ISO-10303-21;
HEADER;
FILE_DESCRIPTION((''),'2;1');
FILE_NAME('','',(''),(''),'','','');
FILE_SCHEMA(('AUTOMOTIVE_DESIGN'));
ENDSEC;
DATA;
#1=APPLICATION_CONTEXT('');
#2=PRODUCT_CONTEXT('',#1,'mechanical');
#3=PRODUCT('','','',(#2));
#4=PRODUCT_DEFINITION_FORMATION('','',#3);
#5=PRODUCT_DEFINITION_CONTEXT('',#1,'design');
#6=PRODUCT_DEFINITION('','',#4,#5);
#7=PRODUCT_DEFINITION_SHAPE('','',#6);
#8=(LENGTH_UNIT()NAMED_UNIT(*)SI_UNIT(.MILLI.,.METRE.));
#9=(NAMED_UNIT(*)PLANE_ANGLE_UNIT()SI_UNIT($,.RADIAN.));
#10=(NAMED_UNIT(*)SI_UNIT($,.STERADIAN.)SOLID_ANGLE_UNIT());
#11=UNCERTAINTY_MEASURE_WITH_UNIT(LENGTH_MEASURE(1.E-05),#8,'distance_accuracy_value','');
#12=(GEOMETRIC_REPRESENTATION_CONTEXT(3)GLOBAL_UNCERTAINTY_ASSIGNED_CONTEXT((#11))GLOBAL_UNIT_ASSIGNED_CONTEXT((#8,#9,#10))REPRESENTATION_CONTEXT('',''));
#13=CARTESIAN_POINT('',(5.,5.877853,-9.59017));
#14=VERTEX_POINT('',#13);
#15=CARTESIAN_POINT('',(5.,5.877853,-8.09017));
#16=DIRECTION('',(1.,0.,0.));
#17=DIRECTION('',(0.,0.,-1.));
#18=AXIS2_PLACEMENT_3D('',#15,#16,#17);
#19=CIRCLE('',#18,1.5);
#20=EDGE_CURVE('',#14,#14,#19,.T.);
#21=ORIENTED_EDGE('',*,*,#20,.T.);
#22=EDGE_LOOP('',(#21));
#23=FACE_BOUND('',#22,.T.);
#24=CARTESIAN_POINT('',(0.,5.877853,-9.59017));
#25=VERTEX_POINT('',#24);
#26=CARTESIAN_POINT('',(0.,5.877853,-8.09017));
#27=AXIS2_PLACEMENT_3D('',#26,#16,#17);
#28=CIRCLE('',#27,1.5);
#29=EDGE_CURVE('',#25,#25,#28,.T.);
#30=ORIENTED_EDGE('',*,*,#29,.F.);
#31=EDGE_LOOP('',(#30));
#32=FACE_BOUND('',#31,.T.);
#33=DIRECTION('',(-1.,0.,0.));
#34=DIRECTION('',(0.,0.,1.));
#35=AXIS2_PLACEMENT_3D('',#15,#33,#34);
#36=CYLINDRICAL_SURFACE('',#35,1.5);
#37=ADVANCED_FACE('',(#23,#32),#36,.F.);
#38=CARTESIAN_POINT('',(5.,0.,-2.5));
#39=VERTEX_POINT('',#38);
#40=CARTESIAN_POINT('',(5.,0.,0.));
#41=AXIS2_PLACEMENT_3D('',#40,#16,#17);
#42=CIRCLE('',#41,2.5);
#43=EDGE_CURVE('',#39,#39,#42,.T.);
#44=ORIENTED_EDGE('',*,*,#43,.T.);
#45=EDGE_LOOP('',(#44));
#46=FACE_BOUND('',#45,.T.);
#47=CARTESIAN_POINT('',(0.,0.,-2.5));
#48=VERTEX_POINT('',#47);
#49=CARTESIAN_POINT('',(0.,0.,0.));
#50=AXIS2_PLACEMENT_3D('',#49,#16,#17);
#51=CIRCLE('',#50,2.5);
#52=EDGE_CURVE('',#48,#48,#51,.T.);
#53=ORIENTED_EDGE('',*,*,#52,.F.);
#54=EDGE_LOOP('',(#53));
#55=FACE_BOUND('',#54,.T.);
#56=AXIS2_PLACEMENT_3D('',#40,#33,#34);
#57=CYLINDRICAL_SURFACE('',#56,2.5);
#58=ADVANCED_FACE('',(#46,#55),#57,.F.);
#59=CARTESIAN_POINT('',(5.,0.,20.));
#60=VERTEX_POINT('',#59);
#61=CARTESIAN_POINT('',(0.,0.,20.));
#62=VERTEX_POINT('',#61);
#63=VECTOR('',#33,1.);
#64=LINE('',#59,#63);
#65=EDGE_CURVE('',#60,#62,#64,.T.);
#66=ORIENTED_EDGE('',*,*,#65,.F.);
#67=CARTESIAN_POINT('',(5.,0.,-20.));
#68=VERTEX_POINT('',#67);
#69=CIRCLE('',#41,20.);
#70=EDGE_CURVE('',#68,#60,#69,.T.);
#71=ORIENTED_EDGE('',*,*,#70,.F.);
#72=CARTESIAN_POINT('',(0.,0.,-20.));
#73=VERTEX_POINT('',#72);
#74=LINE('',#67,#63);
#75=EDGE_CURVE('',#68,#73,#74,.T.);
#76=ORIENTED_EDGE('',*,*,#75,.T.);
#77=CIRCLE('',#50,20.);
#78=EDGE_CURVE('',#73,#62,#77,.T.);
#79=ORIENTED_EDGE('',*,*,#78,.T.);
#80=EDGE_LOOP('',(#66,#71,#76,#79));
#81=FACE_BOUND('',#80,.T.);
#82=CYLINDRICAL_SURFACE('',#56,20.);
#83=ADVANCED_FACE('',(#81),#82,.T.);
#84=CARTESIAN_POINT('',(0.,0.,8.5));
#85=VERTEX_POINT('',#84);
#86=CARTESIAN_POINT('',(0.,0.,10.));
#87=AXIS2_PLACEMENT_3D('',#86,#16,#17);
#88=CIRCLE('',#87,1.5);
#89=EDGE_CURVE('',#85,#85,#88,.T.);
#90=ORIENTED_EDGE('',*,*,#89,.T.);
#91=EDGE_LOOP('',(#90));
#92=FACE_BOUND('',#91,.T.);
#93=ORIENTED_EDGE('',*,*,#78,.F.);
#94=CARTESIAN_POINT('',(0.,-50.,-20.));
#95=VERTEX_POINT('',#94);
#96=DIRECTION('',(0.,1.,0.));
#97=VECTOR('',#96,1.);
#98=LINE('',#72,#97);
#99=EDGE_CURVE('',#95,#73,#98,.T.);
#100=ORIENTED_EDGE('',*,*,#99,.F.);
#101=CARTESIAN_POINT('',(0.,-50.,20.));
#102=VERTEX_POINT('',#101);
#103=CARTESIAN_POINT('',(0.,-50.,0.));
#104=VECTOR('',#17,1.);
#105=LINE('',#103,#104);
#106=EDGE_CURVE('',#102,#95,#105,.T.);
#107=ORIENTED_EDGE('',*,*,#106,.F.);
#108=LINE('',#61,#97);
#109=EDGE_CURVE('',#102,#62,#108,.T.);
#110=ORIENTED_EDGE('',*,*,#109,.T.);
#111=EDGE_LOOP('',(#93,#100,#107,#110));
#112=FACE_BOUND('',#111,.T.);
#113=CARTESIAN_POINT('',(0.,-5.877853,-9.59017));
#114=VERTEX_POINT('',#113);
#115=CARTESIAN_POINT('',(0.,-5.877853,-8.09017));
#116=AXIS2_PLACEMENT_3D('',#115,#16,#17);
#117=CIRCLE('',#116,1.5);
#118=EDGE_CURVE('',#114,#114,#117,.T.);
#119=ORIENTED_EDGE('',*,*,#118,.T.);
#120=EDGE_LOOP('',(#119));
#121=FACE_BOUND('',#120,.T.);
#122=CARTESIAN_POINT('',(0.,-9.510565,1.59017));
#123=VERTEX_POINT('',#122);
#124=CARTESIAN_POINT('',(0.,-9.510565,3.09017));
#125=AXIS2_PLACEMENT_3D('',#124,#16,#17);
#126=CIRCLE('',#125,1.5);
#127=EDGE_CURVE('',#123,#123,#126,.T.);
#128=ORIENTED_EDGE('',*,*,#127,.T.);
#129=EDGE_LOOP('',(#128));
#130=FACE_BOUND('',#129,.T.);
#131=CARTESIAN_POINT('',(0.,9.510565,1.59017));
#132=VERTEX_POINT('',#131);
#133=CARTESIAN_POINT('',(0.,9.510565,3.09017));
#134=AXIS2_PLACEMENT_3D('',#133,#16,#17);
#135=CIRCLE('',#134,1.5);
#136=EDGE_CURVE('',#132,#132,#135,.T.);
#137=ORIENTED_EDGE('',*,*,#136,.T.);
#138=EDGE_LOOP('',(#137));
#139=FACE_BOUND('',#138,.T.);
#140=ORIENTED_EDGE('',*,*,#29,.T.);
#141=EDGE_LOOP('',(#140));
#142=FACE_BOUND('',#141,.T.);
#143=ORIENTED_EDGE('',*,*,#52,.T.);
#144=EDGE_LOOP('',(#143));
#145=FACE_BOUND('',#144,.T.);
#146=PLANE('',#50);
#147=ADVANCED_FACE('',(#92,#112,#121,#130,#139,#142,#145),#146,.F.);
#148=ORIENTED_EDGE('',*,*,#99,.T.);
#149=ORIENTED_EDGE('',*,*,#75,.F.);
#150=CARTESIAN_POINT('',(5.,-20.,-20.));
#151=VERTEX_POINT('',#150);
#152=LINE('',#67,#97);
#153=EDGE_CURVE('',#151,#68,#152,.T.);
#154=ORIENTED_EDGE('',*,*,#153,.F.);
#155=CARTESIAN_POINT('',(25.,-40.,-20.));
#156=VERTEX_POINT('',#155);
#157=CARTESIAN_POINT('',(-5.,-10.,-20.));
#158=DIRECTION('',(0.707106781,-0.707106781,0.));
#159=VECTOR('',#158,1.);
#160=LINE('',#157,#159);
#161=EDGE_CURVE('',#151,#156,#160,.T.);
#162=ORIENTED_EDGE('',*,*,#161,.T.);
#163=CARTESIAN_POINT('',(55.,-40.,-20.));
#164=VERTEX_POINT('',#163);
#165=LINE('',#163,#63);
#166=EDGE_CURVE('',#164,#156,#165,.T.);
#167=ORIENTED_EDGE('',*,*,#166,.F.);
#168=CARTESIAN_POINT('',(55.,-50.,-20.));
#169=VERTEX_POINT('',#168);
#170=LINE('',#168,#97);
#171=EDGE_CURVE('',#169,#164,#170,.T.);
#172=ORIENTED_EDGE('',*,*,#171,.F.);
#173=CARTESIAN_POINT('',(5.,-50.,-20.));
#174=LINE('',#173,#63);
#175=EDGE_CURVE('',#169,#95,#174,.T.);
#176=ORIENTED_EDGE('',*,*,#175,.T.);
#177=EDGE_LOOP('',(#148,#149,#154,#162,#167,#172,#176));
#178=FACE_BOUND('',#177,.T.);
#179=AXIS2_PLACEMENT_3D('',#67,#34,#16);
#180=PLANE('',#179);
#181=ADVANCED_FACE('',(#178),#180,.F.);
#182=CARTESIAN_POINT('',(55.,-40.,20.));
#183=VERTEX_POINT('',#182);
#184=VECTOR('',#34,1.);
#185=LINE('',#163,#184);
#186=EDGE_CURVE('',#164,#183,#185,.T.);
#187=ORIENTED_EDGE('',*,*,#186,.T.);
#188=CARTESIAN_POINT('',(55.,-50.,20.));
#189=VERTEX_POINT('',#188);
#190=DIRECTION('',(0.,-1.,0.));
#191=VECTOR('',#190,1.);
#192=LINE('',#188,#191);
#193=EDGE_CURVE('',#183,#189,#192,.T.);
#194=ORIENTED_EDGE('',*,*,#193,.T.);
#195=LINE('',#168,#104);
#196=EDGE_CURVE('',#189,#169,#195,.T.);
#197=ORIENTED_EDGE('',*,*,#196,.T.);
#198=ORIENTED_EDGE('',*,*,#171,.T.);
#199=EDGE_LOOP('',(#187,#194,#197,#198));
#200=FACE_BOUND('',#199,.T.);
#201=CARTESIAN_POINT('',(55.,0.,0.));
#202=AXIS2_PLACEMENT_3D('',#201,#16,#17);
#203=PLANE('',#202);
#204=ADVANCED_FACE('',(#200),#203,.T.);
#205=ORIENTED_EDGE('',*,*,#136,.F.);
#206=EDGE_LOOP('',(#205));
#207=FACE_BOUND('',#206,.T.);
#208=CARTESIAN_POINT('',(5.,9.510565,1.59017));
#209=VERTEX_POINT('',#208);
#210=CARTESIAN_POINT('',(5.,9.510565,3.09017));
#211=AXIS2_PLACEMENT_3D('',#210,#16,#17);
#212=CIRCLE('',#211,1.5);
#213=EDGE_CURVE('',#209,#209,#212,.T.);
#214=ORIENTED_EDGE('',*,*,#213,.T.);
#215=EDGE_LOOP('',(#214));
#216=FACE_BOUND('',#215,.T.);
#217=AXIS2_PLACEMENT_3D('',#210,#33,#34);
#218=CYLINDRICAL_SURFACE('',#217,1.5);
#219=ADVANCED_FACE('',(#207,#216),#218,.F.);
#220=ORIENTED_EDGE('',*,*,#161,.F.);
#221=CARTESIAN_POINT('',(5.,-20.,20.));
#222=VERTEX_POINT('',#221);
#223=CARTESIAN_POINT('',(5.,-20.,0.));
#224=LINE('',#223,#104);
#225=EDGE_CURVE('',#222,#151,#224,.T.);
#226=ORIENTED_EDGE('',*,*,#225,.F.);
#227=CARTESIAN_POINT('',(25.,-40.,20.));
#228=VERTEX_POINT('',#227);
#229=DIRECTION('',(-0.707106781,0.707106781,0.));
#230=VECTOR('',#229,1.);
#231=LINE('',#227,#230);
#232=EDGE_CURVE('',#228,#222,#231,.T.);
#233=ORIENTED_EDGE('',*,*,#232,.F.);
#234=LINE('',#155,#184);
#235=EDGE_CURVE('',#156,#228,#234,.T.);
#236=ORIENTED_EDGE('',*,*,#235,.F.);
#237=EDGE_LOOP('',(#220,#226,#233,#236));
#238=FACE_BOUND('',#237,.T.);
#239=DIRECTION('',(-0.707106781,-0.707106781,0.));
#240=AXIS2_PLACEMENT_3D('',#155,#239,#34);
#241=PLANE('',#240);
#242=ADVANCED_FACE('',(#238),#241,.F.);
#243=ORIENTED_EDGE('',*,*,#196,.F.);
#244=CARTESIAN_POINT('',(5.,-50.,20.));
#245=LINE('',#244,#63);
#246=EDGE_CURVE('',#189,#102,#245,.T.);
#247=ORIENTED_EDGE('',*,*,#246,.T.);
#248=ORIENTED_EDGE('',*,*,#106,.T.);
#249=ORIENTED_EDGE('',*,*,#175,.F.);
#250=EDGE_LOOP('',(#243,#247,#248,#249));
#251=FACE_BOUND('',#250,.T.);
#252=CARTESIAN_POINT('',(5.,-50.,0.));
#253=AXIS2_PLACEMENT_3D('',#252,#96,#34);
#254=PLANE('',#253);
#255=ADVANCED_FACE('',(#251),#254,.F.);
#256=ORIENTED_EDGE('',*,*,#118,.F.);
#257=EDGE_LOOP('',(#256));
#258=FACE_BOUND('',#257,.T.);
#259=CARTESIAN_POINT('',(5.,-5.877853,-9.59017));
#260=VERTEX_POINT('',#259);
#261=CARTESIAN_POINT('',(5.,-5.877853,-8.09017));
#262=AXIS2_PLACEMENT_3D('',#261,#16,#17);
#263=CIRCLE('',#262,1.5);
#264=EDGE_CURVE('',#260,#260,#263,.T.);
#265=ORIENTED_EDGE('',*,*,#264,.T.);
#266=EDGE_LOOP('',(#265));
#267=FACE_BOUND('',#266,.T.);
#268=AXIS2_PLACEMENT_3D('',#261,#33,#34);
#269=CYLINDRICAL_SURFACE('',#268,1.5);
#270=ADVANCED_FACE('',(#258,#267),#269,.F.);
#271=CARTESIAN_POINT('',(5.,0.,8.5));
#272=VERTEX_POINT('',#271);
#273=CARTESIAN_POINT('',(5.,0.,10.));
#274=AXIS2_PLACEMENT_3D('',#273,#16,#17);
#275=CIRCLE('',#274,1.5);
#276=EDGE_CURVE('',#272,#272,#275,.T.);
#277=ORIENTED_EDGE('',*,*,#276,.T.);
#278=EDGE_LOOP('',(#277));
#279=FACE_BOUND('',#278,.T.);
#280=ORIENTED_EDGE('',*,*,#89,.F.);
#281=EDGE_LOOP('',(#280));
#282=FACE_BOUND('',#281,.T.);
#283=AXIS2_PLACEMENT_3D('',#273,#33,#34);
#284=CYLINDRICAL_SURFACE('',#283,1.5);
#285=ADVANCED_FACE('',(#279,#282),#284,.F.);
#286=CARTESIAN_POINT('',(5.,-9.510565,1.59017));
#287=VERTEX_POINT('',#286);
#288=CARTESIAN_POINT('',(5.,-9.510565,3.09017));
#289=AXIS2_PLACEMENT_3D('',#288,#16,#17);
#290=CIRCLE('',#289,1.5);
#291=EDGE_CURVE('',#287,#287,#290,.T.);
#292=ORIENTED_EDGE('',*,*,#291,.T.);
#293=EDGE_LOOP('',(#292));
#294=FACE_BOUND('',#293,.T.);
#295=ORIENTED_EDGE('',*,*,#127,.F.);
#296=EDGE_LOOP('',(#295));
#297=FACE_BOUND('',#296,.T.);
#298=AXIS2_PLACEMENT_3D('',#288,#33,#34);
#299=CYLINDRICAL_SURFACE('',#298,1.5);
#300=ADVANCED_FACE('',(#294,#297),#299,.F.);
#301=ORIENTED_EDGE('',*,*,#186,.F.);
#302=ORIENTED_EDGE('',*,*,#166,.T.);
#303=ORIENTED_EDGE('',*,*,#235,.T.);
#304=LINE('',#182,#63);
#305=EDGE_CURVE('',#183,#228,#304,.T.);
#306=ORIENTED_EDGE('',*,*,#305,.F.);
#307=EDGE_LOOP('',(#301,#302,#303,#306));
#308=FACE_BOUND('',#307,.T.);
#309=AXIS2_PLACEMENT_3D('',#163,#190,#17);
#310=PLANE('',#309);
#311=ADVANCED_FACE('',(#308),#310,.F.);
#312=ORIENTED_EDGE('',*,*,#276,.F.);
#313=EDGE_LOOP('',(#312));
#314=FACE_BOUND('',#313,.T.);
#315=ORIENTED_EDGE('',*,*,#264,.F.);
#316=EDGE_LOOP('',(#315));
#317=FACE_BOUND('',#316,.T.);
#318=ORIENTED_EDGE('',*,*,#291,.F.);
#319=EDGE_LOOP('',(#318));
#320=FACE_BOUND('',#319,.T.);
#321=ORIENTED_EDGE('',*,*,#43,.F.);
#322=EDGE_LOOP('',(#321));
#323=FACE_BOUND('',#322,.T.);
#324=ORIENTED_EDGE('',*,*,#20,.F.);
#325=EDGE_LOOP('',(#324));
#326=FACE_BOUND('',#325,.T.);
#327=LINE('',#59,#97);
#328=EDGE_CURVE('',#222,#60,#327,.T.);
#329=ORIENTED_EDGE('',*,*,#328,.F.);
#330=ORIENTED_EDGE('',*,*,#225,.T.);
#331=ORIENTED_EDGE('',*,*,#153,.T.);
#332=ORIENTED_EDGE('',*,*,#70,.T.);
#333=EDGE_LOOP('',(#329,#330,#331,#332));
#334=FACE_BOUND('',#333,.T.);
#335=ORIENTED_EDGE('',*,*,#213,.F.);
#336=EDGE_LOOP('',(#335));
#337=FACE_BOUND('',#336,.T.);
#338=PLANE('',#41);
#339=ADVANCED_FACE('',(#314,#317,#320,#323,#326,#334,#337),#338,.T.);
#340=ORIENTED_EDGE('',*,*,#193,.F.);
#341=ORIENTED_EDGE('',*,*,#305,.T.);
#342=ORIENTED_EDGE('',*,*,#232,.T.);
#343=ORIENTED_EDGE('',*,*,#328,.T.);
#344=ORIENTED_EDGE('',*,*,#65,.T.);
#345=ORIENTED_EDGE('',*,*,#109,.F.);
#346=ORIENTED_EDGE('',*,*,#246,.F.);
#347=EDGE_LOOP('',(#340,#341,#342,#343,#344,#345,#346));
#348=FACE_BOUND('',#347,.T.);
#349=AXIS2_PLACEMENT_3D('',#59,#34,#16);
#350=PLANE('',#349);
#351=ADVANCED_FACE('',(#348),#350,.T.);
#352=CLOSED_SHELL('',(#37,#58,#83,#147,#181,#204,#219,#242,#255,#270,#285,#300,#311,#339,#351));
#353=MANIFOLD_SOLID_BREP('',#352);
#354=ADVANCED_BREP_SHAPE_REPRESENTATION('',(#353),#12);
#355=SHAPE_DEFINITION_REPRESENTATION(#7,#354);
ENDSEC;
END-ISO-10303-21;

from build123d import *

# Parameters (mm, degrees)
SKETCH1_R            = 1.5
SKETCH1_R_2          = 2.5
BOSS_EXTRUDE11_DEPTH = 5
SKETCH2_W            = 40
SKETCH2_H            = 10
BOSS_EXTRUDE12_DEPTH = 50
CHAMFER1_SIZE        = 20


with BuildPart() as part:
    # Sketch1 → Boss-Extrude11 (new body)
    with BuildSketch(Plane(origin=(0, 0, 0), x_dir=(0, 0, -1), z_dir=(1, 0, 0))):
        with BuildLine():
            Line((-20, 0), (-20, -50))
            Line((-20, -50), (20, -50))
            Line((20, -50), (20, 0))
            ThreePointArc((20, 0), (0, 20), (-20, 0))
        make_face()
        with Locations((-10, 0)):
            Circle(SKETCH1_R, mode=Mode.SUBTRACT)
        Circle(SKETCH1_R_2, mode=Mode.SUBTRACT)
        with Locations((8.090169944, -5.877852523)):
            Circle(SKETCH1_R, mode=Mode.SUBTRACT)
        with Locations((-3.090169944, -9.510565163)):
            Circle(SKETCH1_R, mode=Mode.SUBTRACT)
        with Locations((8.090169944, 5.877852523)):
            Circle(SKETCH1_R, mode=Mode.SUBTRACT)
        with Locations((-3.090169944, 9.510565163)):
            Circle(SKETCH1_R, mode=Mode.SUBTRACT)
    extrude(amount=BOSS_EXTRUDE11_DEPTH)

    # Sketch2 → Boss-Extrude12 (add)
    with BuildSketch(Plane(origin=(5, 0, 0), x_dir=(0, 0, -1), z_dir=(1, 0, 0))):
        with Locations((0, -45)):
            Rectangle(SKETCH2_W, SKETCH2_H)
    extrude(amount=BOSS_EXTRUDE12_DEPTH)

    # Chamfer1
    chamfer1_edges = [part.edges().sort_by_distance(p)[0] for p in [
        (5, -40, 0),
    ]]
    chamfer(chamfer1_edges, length=CHAMFER1_SIZE)


solid = part.part
